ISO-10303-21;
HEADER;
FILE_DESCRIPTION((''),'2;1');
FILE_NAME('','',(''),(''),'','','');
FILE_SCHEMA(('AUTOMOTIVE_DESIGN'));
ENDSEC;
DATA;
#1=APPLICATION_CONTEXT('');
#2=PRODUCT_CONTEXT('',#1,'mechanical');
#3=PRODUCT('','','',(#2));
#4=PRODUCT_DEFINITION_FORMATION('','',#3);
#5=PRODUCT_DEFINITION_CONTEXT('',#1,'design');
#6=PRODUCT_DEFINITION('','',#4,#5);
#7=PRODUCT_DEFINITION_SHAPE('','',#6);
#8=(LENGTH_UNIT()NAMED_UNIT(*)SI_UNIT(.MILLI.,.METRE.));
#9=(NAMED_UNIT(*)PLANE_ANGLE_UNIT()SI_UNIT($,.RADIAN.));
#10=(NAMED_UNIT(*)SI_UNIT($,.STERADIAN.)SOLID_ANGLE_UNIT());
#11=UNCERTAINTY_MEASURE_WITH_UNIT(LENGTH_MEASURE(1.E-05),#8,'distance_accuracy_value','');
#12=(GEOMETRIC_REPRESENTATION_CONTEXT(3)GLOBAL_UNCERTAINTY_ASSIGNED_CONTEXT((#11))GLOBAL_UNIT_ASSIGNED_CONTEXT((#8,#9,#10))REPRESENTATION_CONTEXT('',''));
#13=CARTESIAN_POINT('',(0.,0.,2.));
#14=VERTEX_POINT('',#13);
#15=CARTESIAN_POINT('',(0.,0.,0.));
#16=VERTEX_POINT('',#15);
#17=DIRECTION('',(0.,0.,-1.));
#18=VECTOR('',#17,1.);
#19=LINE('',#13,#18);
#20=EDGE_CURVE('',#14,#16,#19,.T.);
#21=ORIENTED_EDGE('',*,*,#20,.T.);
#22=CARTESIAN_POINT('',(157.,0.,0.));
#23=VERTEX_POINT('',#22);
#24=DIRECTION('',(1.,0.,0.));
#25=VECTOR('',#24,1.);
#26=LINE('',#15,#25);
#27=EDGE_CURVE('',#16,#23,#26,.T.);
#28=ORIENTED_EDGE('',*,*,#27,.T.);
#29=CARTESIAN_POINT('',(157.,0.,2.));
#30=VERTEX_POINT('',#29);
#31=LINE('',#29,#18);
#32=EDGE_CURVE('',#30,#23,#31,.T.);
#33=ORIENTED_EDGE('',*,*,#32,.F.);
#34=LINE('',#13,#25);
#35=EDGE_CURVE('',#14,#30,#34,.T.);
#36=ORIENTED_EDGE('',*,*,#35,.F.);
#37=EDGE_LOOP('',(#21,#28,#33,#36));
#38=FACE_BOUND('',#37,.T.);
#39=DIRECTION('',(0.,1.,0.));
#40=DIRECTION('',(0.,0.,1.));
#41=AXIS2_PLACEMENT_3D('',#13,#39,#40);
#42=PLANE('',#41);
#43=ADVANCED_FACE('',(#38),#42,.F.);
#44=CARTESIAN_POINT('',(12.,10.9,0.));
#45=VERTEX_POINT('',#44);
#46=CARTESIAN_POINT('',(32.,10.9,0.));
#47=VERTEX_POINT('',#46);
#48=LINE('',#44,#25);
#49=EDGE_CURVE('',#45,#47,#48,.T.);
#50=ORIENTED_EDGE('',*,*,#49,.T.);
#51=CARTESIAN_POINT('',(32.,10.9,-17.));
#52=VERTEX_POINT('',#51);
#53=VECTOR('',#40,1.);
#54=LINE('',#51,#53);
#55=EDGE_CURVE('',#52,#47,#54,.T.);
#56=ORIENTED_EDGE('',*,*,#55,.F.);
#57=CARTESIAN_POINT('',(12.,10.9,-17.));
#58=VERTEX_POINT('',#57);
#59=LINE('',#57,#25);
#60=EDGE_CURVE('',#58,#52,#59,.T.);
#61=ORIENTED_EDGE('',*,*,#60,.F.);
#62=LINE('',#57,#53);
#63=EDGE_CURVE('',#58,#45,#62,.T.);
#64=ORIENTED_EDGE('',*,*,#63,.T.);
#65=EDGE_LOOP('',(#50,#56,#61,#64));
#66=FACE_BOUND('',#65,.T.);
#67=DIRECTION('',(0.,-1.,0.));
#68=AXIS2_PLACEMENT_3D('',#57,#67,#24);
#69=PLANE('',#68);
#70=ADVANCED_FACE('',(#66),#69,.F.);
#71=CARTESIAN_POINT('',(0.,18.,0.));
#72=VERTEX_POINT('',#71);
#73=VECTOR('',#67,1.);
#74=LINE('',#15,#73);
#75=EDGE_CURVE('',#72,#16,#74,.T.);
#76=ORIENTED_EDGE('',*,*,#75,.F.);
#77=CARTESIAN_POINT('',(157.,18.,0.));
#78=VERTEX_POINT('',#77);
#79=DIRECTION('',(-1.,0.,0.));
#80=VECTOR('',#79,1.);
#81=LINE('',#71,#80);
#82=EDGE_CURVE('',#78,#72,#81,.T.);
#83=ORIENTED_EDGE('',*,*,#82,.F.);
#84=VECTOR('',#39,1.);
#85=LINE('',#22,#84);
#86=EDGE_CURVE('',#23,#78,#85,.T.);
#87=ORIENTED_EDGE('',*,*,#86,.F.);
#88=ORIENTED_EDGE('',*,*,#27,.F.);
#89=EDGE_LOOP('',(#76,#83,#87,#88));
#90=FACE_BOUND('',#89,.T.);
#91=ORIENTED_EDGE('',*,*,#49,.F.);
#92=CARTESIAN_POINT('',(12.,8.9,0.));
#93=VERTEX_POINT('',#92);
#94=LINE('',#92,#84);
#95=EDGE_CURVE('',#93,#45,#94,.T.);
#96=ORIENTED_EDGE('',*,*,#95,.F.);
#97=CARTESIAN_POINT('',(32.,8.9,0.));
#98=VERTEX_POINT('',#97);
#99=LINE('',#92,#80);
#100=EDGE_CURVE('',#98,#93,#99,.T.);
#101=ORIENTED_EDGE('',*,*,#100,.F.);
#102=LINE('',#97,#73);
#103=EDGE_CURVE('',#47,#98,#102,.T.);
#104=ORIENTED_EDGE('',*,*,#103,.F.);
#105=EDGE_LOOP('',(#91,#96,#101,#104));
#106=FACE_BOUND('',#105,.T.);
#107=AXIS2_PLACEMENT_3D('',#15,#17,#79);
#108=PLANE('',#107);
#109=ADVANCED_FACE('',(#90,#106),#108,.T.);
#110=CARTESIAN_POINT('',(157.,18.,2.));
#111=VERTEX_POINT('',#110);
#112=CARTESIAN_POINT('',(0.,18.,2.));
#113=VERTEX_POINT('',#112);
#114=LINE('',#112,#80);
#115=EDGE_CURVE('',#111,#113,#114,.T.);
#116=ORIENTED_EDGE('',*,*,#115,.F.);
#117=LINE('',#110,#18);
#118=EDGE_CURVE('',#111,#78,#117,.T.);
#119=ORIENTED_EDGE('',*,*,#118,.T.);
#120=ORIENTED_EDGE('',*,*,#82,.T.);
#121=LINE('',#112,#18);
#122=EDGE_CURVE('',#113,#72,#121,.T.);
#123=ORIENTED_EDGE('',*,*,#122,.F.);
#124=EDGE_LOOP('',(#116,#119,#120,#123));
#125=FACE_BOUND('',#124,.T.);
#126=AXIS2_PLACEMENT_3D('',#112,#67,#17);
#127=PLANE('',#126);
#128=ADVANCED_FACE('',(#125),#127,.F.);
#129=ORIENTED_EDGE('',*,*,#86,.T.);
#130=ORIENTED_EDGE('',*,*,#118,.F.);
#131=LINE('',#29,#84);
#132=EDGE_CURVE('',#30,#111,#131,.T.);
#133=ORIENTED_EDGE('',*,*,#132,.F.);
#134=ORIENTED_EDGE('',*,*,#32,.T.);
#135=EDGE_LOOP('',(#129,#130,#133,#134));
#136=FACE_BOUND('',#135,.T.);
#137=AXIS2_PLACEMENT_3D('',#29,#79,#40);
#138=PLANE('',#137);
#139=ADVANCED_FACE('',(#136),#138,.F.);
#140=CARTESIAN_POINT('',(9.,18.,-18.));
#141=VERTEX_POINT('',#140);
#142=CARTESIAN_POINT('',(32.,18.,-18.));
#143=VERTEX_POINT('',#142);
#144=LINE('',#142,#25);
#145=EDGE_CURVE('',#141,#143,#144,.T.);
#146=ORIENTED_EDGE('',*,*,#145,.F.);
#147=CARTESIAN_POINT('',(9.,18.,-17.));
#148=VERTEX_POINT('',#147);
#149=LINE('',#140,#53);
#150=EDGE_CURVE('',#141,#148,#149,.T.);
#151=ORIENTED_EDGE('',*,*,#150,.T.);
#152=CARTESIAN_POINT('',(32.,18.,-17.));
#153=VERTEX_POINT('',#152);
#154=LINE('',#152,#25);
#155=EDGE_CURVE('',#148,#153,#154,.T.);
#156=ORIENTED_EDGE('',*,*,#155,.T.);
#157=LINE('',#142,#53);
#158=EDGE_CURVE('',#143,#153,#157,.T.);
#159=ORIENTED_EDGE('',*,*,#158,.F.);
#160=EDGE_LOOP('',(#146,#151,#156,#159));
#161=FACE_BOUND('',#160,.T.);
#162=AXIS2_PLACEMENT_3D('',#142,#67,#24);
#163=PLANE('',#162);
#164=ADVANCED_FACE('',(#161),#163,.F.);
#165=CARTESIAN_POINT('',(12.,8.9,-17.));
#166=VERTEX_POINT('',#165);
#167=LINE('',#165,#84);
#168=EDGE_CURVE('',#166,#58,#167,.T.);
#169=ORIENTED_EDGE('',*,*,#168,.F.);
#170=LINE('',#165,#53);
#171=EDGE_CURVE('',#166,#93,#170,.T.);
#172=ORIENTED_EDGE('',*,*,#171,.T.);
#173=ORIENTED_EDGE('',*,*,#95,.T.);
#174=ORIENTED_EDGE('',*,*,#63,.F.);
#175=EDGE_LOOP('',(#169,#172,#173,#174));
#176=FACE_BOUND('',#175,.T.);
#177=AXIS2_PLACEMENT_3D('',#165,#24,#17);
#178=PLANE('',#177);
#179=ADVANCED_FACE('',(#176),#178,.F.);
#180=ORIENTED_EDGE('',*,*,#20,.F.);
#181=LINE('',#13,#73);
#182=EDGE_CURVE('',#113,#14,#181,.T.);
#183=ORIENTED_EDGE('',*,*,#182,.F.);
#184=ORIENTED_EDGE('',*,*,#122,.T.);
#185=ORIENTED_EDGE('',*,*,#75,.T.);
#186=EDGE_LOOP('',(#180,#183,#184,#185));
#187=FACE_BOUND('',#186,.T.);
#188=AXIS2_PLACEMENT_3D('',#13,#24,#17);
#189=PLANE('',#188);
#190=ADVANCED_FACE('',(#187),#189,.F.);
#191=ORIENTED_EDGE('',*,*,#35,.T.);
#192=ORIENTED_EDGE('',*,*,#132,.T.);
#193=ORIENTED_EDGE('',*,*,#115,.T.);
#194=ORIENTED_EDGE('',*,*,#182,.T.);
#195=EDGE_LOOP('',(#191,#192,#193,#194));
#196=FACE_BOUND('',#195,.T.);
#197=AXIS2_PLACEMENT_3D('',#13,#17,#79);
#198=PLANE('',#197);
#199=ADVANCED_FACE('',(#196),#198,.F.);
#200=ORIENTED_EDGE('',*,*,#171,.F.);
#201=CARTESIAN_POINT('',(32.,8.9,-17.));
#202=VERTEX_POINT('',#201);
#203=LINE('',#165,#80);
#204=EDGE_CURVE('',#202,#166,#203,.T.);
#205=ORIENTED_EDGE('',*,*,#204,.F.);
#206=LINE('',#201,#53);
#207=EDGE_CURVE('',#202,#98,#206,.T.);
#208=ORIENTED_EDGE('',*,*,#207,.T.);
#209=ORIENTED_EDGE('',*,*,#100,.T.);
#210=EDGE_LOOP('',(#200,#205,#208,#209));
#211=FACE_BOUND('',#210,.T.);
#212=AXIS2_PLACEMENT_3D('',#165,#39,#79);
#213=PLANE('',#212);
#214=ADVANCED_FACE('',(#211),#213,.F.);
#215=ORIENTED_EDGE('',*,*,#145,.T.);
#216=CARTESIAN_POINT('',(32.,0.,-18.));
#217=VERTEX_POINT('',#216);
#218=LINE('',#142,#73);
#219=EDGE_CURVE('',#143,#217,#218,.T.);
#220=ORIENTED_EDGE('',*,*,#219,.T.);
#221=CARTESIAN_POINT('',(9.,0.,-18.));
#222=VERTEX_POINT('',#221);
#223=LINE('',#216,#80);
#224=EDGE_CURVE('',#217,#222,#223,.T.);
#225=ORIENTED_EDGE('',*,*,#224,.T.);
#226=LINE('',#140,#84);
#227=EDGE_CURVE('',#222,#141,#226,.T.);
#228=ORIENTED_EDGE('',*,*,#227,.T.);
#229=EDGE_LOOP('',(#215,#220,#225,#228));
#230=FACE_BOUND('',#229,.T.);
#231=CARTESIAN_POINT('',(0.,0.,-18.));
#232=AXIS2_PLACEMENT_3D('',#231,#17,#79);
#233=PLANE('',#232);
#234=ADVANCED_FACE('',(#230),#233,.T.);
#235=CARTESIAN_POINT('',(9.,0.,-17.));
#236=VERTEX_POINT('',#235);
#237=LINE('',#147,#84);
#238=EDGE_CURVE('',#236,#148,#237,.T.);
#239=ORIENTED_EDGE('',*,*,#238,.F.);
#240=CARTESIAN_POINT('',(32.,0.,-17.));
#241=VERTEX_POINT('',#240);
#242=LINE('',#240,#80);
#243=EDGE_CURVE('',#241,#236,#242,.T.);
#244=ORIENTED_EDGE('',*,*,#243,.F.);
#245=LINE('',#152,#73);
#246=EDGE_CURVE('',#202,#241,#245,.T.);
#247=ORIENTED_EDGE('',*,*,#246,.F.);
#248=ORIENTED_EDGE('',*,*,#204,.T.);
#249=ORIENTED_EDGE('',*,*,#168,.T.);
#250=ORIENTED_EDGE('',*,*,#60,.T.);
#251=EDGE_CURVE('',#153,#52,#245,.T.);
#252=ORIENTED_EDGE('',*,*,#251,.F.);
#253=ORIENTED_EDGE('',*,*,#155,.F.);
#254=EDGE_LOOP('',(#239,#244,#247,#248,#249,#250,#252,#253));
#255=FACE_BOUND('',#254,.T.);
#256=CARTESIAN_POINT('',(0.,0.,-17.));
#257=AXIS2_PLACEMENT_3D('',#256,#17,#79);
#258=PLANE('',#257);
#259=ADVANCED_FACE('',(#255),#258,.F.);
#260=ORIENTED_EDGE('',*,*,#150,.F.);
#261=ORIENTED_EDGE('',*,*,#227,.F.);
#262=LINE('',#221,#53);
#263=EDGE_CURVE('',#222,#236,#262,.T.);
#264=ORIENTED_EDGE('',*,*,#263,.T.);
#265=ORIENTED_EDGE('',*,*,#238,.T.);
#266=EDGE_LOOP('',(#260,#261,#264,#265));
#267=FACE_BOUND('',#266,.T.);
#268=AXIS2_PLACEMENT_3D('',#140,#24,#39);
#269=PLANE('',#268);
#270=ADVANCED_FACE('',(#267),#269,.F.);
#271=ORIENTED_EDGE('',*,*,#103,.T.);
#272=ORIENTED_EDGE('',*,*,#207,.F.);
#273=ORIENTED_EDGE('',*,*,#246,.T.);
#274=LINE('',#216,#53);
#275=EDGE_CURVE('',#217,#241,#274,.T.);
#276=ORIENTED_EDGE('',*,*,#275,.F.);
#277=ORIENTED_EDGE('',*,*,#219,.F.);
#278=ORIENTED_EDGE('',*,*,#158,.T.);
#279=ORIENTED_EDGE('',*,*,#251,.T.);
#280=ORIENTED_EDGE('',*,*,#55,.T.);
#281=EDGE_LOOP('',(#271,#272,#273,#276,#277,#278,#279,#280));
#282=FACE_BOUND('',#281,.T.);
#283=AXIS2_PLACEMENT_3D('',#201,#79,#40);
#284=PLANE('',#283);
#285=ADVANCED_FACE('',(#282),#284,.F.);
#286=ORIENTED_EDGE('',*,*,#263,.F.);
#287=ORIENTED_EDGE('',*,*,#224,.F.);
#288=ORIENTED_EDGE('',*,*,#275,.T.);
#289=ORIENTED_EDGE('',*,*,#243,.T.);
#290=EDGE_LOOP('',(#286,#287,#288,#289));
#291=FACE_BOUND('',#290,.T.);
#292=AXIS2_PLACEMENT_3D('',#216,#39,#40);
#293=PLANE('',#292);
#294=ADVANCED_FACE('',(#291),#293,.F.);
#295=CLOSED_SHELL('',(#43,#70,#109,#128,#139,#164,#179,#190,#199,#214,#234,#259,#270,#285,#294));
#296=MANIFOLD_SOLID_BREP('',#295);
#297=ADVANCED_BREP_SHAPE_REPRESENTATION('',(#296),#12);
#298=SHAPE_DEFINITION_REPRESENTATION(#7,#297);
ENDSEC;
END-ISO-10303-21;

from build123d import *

# Parameters (mm, degrees)
SKETCH1_W           = 157
SKETCH1_H           = 18
BOSS_EXTRUDE1_DEPTH = 2
SKETCH2_W           = 20
SKETCH2_H           = 2
BOSS_EXTRUDE2_DEPTH = 17
SKETCH3_W           = 23
SKETCH3_H           = 18
BOSS_EXTRUDE3_DEPTH = 1


with BuildPart() as part:
    # Sketch1 → Boss-Extrude1 (new body)
    with BuildSketch(Plane.XY):
        with Locations((78.5, 9)):
            Rectangle(SKETCH1_W, SKETCH1_H)
    extrude(amount=BOSS_EXTRUDE1_DEPTH)

    # Sketch2 → Boss-Extrude2 (add)
    with BuildSketch(Plane(origin=(0, 0, 0), x_dir=(-1, 0, 0), z_dir=(0, 0, -1))):
        with Locations((-22, 9.9)):
            Rectangle(SKETCH2_W, SKETCH2_H)
    extrude(amount=BOSS_EXTRUDE2_DEPTH)

    # Sketch3 → Boss-Extrude3 (add)
    with BuildSketch(Plane(origin=(0, 0, -17), x_dir=(-1, 0, 0), z_dir=(0, 0, -1))):
        with Locations((-20.5, 9)):
            Rectangle(SKETCH3_W, SKETCH3_H)
    extrude(amount=BOSS_EXTRUDE3_DEPTH)


solid = part.part
